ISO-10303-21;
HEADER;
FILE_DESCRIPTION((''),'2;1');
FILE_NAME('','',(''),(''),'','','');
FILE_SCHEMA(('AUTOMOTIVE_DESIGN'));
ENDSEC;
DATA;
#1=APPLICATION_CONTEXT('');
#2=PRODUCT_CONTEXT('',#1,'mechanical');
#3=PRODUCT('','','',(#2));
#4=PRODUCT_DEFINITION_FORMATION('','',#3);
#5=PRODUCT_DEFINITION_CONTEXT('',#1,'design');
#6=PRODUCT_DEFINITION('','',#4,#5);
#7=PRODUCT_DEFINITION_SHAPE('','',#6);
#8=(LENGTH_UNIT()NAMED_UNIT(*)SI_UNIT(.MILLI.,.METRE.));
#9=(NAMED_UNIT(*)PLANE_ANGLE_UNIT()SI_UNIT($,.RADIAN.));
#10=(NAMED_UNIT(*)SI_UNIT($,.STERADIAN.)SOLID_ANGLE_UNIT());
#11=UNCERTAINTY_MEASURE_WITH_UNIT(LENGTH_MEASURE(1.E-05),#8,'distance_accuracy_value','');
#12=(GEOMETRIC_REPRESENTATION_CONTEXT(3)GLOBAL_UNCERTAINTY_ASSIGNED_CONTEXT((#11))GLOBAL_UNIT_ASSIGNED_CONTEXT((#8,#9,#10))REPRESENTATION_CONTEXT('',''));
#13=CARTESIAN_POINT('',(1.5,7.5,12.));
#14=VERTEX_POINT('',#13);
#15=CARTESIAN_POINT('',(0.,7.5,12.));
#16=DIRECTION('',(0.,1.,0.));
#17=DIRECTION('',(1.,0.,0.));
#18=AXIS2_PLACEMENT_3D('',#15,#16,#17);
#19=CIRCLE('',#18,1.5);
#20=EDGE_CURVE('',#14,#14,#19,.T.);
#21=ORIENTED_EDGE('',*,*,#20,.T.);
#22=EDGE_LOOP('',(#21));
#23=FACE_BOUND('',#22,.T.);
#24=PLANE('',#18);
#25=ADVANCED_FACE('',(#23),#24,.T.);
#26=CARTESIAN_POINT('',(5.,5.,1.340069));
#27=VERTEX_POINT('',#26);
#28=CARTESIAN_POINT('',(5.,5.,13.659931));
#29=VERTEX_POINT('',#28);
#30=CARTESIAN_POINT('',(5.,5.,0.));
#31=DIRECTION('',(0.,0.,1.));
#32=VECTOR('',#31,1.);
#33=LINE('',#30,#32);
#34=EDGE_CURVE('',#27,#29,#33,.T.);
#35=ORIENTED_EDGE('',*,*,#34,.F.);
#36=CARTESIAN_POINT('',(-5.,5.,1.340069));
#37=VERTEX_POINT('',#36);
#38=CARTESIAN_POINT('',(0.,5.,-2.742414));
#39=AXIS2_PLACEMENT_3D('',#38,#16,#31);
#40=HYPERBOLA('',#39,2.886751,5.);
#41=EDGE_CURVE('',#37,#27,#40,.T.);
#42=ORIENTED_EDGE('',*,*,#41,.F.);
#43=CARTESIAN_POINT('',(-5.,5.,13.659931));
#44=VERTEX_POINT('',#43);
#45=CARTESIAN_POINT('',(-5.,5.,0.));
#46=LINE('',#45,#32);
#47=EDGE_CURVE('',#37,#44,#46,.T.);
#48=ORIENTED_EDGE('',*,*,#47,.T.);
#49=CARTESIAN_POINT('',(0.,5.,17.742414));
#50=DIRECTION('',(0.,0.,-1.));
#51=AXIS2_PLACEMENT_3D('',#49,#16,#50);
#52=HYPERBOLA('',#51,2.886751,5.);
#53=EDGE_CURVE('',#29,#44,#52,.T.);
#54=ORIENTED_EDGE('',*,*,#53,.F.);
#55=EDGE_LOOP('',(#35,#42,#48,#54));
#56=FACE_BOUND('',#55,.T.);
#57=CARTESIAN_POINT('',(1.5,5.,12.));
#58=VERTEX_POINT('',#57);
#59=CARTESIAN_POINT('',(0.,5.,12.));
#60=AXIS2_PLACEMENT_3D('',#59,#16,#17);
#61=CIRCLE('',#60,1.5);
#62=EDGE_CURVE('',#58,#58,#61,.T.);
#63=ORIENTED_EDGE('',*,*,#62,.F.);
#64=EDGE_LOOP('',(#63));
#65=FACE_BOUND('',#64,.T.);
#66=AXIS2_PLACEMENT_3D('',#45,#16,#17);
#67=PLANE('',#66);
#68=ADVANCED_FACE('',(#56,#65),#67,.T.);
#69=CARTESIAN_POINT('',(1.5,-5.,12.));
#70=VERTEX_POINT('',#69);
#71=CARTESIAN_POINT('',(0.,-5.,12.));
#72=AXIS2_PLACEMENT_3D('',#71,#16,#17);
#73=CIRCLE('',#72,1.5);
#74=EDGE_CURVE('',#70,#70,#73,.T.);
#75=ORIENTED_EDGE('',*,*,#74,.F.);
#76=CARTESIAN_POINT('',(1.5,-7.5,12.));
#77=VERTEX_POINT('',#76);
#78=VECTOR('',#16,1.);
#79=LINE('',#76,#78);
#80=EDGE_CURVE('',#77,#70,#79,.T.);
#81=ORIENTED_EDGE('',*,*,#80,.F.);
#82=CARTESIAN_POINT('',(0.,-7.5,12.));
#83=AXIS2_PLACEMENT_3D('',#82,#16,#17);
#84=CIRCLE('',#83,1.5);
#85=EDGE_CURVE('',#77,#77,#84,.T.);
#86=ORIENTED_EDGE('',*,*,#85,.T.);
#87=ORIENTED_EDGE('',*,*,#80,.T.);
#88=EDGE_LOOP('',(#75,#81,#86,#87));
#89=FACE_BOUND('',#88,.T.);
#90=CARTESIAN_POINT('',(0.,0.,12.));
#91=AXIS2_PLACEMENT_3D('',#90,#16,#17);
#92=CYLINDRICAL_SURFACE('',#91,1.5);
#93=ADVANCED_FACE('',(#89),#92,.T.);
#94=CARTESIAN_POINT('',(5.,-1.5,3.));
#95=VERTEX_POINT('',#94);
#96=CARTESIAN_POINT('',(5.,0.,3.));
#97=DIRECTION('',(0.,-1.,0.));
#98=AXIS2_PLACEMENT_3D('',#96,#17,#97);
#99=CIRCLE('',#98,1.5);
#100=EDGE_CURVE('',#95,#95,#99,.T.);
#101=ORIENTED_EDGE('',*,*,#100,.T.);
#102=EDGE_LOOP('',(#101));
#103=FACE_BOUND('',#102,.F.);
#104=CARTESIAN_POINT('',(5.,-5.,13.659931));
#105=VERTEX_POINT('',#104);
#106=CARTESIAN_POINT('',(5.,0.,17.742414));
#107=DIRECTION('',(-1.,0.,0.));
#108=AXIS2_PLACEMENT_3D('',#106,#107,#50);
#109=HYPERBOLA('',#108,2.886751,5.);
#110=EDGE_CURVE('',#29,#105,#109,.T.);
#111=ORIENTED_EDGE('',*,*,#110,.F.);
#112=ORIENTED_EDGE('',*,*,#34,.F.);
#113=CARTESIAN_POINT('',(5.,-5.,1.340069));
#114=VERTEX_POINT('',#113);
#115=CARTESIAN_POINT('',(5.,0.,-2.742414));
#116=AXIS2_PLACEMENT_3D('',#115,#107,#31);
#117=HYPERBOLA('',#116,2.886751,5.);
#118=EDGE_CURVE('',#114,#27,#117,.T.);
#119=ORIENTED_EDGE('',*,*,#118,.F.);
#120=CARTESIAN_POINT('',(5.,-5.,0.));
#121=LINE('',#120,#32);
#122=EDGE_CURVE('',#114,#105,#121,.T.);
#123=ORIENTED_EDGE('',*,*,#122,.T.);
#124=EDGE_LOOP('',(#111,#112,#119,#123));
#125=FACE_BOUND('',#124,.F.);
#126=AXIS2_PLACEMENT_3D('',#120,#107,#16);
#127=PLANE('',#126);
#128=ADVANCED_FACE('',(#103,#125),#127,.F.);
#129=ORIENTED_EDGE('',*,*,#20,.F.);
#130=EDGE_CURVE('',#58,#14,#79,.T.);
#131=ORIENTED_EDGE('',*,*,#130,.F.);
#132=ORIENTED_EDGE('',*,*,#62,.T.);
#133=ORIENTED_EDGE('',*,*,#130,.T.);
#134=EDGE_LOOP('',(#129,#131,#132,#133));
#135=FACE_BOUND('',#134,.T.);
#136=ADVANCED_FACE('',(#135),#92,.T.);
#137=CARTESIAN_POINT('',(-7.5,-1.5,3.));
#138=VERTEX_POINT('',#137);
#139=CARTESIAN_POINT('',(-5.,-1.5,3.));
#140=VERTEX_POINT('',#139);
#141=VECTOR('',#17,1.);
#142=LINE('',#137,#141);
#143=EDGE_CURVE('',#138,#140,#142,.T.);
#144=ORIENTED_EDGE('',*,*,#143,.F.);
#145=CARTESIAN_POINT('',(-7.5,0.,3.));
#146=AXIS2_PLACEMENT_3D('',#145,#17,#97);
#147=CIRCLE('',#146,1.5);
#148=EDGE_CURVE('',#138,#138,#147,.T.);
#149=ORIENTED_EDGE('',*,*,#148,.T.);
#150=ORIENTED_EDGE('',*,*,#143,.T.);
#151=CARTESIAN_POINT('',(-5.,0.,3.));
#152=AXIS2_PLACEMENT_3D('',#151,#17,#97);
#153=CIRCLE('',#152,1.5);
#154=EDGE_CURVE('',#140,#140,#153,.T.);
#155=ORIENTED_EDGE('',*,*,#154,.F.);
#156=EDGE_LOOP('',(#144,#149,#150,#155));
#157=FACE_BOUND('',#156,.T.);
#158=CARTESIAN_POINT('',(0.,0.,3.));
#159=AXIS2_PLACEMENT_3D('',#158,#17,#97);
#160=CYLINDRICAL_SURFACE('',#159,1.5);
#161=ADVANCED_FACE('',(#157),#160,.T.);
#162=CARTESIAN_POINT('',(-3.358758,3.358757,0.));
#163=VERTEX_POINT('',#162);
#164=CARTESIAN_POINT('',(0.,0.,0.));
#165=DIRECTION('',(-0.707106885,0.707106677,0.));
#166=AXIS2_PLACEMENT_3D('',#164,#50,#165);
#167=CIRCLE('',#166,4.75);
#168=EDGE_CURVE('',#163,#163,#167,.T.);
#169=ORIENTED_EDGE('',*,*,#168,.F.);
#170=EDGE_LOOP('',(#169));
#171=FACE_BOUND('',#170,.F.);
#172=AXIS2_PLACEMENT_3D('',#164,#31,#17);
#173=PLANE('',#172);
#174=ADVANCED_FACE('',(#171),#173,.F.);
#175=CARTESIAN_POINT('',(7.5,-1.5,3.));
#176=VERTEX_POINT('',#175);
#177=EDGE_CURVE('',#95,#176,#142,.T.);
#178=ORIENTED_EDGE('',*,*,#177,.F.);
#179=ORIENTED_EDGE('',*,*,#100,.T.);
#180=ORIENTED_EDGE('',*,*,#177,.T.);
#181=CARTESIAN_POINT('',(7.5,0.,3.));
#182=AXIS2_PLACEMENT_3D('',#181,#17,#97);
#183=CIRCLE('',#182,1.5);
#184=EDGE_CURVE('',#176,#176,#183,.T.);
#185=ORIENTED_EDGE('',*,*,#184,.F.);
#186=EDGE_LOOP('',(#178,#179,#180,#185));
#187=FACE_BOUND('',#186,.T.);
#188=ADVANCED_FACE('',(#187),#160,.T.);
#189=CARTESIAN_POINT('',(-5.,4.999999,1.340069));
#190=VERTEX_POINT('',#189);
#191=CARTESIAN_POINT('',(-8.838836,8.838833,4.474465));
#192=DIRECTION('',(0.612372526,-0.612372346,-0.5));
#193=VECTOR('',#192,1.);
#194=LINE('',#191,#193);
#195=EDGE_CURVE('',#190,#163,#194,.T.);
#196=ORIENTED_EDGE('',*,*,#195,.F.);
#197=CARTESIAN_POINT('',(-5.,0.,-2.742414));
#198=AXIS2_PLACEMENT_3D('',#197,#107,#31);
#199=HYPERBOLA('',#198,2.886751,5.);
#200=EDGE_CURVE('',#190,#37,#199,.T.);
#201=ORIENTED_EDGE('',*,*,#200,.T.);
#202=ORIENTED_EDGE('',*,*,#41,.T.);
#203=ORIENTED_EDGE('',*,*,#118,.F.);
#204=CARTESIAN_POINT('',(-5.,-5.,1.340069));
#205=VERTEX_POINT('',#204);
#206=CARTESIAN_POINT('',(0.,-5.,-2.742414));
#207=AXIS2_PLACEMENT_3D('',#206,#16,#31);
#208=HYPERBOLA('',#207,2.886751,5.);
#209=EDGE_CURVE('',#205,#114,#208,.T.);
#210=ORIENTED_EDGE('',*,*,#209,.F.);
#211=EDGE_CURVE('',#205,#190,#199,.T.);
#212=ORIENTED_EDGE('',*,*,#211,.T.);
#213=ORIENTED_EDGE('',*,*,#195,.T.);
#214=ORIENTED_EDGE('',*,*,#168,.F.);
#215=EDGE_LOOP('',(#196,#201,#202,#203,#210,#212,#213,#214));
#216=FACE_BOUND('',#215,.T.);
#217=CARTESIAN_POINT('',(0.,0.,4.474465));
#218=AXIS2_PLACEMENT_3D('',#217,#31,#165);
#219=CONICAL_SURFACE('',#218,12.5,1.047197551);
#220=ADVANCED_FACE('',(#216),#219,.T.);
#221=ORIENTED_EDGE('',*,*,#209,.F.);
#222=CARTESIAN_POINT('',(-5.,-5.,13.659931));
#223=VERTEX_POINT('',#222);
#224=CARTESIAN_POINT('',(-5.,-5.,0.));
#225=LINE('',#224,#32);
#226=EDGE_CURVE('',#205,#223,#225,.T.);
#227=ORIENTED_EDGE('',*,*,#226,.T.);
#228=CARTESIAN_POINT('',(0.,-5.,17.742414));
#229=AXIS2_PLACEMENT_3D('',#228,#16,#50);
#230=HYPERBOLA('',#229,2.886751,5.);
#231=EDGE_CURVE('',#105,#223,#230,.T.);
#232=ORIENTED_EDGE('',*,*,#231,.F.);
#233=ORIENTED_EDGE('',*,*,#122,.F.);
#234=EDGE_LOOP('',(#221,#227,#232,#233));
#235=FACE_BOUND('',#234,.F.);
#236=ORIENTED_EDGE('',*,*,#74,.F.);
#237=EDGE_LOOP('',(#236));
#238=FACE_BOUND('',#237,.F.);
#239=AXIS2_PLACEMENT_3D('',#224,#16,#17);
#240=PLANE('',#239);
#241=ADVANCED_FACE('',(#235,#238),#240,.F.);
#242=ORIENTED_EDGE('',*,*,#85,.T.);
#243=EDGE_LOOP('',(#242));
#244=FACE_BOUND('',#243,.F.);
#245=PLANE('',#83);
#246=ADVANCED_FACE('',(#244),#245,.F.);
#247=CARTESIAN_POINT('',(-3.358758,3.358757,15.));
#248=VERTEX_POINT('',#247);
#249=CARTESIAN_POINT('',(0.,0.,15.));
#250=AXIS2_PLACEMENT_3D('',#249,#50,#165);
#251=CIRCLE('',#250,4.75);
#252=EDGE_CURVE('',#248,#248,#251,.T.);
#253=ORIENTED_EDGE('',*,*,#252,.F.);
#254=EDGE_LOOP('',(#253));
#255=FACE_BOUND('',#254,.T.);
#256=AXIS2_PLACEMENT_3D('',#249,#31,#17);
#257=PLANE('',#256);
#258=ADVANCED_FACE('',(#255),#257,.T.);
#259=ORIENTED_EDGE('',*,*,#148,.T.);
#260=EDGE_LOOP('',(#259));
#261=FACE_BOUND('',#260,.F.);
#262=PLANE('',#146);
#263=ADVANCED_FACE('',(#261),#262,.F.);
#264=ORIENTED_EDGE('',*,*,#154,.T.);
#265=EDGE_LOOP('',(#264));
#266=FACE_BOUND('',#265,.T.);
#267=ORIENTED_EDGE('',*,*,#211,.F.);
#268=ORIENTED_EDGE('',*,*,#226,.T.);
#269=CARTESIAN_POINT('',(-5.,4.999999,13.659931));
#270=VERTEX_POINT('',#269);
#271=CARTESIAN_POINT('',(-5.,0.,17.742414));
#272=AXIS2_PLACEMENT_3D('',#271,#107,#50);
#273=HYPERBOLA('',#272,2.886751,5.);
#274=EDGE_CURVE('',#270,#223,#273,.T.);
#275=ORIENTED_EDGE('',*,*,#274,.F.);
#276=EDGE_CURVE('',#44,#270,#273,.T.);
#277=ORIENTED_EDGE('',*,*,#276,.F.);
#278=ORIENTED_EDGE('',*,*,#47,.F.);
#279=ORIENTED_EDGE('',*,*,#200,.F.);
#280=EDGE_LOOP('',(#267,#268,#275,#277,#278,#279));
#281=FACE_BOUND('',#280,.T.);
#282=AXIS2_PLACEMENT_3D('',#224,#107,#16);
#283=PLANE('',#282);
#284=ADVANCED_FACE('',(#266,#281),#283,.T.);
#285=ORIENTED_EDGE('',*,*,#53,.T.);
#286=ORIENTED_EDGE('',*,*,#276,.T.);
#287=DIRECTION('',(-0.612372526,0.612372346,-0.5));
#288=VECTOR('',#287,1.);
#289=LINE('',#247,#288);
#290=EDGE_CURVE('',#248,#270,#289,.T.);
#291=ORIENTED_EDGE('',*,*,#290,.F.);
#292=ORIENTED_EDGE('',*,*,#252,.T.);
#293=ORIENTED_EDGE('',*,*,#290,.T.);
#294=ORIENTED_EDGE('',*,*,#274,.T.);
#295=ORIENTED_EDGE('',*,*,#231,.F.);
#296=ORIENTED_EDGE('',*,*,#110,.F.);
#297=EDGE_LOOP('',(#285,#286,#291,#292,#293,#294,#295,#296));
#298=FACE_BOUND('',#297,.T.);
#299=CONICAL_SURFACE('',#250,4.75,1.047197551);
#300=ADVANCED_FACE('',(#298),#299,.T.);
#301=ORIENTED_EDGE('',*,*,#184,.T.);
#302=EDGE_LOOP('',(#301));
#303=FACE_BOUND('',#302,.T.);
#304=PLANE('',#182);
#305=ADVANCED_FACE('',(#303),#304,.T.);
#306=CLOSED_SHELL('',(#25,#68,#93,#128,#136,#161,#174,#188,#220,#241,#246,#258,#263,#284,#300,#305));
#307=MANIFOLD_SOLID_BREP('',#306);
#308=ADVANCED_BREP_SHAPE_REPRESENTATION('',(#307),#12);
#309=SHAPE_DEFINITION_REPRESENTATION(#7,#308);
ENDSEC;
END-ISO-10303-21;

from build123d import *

# Parameters (mm, degrees)
SKETCH1_W           = 10
SKETCH1_H           = 10
BOSS_EXTRUDE1_DEPTH = 15
SKETCH3_R           = 1.5
BOSS_EXTRUDE2_DEPTH = 7.5
SKETCH4_R           = 1.5
BOSS_EXTRUDE3_DEPTH = 7.5


with BuildPart() as part:
    # Sketch1 → Boss-Extrude1 (new body)
    with BuildSketch(Plane.XY):
        Rectangle(SKETCH1_W, SKETCH1_H)
    extrude(amount=BOSS_EXTRUDE1_DEPTH)

    # Sketch2 → Cut-Revolve1 (revolve, cut)
    with BuildSketch(Plane(origin=(0, 0, 0), x_dir=(1, 0, 0), z_dir=(0, 1, 0)), mode=Mode.PRIVATE) as cut_revolve1_sk:
        Polygon((-4.75, 0), (-15.04, 0), (-15.04, -15), (-4.75, -15), (-12.5, -10.525535414), (-12.5, -4.474464586), align=None)
    revolve(cut_revolve1_sk.sketch.rotate(Axis((0, 0, 15.75), (0, 0, -1)), 44.999991596), axis=Axis((0, 0, 15.75), (0, 0, -1)), mode=Mode.SUBTRACT)

    # Sketch3 → Boss-Extrude2 (add, symmetric)
    with BuildSketch(Plane(origin=(0, 0, 0), x_dir=(1, 0, 0), z_dir=(0, 1, 0))):
        with Locations((0, -12)):
            Circle(SKETCH3_R)
    extrude(amount=BOSS_EXTRUDE2_DEPTH, both=True)

    # Sketch4 → Boss-Extrude3 (add, symmetric)
    with BuildSketch(Plane(origin=(0, 0, 0), x_dir=(0, 0, -1), z_dir=(1, 0, 0))):
        with Locations(Location((-3, 0, 0), (0, 0, 270))):
            Circle(SKETCH4_R)
    extrude(amount=BOSS_EXTRUDE3_DEPTH, both=True)


solid = part.part
